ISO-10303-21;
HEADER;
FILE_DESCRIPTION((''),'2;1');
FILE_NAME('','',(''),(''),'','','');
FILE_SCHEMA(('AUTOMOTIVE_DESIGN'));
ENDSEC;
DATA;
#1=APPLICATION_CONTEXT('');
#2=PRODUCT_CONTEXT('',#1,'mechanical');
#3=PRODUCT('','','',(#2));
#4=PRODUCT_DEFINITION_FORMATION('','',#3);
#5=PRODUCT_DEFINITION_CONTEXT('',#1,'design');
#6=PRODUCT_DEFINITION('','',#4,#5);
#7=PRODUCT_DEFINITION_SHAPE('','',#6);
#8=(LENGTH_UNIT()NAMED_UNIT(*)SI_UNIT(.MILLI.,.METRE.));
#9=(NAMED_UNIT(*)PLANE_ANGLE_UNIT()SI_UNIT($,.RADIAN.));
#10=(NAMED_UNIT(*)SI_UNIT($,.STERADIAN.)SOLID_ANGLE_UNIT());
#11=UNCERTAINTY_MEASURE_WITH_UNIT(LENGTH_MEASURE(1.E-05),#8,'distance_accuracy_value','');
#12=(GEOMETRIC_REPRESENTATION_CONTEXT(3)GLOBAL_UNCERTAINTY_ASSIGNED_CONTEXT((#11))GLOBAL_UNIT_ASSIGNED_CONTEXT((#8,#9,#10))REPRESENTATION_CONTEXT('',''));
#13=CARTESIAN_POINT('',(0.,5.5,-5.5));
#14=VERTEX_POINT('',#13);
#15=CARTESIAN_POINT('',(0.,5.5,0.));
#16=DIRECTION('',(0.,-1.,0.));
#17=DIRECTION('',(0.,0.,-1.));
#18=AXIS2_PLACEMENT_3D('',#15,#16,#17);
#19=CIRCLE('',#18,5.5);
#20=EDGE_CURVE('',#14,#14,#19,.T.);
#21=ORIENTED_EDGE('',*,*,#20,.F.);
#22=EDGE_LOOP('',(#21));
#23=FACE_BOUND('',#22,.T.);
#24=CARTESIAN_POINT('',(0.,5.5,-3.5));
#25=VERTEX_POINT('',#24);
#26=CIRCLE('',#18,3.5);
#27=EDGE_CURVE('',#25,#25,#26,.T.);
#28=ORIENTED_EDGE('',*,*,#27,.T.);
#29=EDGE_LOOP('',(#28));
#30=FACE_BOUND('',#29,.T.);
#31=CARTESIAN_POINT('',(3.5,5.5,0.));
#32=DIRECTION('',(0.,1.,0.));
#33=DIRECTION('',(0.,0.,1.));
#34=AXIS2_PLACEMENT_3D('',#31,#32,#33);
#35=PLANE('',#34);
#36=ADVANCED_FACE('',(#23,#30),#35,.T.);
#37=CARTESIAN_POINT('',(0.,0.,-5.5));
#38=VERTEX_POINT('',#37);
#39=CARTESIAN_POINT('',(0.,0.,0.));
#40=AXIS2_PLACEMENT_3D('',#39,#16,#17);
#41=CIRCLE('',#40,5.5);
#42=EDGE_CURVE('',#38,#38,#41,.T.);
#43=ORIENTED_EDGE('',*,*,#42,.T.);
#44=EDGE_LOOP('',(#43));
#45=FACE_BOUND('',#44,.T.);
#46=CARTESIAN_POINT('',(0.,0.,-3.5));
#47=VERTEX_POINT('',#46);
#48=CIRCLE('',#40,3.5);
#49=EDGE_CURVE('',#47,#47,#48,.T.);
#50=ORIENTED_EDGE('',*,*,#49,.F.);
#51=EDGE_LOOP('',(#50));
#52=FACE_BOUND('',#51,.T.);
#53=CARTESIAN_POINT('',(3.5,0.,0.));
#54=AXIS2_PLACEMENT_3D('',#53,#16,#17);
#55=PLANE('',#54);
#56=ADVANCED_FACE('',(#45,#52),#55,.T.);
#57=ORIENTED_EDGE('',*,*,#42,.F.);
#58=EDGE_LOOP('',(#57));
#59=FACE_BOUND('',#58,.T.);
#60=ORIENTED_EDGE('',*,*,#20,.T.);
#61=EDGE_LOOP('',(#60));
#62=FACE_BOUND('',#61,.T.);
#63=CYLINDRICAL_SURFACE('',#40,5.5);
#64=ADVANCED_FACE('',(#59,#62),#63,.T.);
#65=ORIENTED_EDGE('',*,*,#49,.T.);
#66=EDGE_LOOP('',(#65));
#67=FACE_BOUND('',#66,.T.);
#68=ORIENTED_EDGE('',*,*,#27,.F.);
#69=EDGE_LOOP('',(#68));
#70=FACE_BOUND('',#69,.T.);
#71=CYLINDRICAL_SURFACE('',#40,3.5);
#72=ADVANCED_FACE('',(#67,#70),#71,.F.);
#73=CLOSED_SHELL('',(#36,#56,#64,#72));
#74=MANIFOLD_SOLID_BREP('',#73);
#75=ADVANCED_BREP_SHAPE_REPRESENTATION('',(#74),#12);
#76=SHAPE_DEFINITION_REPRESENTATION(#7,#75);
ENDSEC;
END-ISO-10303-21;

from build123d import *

# Parameters (mm, degrees)
ESQUISSE1_W = 2
ESQUISSE1_H = 5.5


with BuildPart() as part:
    # Esquisse1 → Révolution1 (revolve)
    with BuildSketch(Plane.XY):
        with Locations((4.5, 2.75)):
            Rectangle(ESQUISSE1_W, ESQUISSE1_H)
    revolve(axis=Axis((0, 0, 0), (0, 1, 0)))


solid = part.part
